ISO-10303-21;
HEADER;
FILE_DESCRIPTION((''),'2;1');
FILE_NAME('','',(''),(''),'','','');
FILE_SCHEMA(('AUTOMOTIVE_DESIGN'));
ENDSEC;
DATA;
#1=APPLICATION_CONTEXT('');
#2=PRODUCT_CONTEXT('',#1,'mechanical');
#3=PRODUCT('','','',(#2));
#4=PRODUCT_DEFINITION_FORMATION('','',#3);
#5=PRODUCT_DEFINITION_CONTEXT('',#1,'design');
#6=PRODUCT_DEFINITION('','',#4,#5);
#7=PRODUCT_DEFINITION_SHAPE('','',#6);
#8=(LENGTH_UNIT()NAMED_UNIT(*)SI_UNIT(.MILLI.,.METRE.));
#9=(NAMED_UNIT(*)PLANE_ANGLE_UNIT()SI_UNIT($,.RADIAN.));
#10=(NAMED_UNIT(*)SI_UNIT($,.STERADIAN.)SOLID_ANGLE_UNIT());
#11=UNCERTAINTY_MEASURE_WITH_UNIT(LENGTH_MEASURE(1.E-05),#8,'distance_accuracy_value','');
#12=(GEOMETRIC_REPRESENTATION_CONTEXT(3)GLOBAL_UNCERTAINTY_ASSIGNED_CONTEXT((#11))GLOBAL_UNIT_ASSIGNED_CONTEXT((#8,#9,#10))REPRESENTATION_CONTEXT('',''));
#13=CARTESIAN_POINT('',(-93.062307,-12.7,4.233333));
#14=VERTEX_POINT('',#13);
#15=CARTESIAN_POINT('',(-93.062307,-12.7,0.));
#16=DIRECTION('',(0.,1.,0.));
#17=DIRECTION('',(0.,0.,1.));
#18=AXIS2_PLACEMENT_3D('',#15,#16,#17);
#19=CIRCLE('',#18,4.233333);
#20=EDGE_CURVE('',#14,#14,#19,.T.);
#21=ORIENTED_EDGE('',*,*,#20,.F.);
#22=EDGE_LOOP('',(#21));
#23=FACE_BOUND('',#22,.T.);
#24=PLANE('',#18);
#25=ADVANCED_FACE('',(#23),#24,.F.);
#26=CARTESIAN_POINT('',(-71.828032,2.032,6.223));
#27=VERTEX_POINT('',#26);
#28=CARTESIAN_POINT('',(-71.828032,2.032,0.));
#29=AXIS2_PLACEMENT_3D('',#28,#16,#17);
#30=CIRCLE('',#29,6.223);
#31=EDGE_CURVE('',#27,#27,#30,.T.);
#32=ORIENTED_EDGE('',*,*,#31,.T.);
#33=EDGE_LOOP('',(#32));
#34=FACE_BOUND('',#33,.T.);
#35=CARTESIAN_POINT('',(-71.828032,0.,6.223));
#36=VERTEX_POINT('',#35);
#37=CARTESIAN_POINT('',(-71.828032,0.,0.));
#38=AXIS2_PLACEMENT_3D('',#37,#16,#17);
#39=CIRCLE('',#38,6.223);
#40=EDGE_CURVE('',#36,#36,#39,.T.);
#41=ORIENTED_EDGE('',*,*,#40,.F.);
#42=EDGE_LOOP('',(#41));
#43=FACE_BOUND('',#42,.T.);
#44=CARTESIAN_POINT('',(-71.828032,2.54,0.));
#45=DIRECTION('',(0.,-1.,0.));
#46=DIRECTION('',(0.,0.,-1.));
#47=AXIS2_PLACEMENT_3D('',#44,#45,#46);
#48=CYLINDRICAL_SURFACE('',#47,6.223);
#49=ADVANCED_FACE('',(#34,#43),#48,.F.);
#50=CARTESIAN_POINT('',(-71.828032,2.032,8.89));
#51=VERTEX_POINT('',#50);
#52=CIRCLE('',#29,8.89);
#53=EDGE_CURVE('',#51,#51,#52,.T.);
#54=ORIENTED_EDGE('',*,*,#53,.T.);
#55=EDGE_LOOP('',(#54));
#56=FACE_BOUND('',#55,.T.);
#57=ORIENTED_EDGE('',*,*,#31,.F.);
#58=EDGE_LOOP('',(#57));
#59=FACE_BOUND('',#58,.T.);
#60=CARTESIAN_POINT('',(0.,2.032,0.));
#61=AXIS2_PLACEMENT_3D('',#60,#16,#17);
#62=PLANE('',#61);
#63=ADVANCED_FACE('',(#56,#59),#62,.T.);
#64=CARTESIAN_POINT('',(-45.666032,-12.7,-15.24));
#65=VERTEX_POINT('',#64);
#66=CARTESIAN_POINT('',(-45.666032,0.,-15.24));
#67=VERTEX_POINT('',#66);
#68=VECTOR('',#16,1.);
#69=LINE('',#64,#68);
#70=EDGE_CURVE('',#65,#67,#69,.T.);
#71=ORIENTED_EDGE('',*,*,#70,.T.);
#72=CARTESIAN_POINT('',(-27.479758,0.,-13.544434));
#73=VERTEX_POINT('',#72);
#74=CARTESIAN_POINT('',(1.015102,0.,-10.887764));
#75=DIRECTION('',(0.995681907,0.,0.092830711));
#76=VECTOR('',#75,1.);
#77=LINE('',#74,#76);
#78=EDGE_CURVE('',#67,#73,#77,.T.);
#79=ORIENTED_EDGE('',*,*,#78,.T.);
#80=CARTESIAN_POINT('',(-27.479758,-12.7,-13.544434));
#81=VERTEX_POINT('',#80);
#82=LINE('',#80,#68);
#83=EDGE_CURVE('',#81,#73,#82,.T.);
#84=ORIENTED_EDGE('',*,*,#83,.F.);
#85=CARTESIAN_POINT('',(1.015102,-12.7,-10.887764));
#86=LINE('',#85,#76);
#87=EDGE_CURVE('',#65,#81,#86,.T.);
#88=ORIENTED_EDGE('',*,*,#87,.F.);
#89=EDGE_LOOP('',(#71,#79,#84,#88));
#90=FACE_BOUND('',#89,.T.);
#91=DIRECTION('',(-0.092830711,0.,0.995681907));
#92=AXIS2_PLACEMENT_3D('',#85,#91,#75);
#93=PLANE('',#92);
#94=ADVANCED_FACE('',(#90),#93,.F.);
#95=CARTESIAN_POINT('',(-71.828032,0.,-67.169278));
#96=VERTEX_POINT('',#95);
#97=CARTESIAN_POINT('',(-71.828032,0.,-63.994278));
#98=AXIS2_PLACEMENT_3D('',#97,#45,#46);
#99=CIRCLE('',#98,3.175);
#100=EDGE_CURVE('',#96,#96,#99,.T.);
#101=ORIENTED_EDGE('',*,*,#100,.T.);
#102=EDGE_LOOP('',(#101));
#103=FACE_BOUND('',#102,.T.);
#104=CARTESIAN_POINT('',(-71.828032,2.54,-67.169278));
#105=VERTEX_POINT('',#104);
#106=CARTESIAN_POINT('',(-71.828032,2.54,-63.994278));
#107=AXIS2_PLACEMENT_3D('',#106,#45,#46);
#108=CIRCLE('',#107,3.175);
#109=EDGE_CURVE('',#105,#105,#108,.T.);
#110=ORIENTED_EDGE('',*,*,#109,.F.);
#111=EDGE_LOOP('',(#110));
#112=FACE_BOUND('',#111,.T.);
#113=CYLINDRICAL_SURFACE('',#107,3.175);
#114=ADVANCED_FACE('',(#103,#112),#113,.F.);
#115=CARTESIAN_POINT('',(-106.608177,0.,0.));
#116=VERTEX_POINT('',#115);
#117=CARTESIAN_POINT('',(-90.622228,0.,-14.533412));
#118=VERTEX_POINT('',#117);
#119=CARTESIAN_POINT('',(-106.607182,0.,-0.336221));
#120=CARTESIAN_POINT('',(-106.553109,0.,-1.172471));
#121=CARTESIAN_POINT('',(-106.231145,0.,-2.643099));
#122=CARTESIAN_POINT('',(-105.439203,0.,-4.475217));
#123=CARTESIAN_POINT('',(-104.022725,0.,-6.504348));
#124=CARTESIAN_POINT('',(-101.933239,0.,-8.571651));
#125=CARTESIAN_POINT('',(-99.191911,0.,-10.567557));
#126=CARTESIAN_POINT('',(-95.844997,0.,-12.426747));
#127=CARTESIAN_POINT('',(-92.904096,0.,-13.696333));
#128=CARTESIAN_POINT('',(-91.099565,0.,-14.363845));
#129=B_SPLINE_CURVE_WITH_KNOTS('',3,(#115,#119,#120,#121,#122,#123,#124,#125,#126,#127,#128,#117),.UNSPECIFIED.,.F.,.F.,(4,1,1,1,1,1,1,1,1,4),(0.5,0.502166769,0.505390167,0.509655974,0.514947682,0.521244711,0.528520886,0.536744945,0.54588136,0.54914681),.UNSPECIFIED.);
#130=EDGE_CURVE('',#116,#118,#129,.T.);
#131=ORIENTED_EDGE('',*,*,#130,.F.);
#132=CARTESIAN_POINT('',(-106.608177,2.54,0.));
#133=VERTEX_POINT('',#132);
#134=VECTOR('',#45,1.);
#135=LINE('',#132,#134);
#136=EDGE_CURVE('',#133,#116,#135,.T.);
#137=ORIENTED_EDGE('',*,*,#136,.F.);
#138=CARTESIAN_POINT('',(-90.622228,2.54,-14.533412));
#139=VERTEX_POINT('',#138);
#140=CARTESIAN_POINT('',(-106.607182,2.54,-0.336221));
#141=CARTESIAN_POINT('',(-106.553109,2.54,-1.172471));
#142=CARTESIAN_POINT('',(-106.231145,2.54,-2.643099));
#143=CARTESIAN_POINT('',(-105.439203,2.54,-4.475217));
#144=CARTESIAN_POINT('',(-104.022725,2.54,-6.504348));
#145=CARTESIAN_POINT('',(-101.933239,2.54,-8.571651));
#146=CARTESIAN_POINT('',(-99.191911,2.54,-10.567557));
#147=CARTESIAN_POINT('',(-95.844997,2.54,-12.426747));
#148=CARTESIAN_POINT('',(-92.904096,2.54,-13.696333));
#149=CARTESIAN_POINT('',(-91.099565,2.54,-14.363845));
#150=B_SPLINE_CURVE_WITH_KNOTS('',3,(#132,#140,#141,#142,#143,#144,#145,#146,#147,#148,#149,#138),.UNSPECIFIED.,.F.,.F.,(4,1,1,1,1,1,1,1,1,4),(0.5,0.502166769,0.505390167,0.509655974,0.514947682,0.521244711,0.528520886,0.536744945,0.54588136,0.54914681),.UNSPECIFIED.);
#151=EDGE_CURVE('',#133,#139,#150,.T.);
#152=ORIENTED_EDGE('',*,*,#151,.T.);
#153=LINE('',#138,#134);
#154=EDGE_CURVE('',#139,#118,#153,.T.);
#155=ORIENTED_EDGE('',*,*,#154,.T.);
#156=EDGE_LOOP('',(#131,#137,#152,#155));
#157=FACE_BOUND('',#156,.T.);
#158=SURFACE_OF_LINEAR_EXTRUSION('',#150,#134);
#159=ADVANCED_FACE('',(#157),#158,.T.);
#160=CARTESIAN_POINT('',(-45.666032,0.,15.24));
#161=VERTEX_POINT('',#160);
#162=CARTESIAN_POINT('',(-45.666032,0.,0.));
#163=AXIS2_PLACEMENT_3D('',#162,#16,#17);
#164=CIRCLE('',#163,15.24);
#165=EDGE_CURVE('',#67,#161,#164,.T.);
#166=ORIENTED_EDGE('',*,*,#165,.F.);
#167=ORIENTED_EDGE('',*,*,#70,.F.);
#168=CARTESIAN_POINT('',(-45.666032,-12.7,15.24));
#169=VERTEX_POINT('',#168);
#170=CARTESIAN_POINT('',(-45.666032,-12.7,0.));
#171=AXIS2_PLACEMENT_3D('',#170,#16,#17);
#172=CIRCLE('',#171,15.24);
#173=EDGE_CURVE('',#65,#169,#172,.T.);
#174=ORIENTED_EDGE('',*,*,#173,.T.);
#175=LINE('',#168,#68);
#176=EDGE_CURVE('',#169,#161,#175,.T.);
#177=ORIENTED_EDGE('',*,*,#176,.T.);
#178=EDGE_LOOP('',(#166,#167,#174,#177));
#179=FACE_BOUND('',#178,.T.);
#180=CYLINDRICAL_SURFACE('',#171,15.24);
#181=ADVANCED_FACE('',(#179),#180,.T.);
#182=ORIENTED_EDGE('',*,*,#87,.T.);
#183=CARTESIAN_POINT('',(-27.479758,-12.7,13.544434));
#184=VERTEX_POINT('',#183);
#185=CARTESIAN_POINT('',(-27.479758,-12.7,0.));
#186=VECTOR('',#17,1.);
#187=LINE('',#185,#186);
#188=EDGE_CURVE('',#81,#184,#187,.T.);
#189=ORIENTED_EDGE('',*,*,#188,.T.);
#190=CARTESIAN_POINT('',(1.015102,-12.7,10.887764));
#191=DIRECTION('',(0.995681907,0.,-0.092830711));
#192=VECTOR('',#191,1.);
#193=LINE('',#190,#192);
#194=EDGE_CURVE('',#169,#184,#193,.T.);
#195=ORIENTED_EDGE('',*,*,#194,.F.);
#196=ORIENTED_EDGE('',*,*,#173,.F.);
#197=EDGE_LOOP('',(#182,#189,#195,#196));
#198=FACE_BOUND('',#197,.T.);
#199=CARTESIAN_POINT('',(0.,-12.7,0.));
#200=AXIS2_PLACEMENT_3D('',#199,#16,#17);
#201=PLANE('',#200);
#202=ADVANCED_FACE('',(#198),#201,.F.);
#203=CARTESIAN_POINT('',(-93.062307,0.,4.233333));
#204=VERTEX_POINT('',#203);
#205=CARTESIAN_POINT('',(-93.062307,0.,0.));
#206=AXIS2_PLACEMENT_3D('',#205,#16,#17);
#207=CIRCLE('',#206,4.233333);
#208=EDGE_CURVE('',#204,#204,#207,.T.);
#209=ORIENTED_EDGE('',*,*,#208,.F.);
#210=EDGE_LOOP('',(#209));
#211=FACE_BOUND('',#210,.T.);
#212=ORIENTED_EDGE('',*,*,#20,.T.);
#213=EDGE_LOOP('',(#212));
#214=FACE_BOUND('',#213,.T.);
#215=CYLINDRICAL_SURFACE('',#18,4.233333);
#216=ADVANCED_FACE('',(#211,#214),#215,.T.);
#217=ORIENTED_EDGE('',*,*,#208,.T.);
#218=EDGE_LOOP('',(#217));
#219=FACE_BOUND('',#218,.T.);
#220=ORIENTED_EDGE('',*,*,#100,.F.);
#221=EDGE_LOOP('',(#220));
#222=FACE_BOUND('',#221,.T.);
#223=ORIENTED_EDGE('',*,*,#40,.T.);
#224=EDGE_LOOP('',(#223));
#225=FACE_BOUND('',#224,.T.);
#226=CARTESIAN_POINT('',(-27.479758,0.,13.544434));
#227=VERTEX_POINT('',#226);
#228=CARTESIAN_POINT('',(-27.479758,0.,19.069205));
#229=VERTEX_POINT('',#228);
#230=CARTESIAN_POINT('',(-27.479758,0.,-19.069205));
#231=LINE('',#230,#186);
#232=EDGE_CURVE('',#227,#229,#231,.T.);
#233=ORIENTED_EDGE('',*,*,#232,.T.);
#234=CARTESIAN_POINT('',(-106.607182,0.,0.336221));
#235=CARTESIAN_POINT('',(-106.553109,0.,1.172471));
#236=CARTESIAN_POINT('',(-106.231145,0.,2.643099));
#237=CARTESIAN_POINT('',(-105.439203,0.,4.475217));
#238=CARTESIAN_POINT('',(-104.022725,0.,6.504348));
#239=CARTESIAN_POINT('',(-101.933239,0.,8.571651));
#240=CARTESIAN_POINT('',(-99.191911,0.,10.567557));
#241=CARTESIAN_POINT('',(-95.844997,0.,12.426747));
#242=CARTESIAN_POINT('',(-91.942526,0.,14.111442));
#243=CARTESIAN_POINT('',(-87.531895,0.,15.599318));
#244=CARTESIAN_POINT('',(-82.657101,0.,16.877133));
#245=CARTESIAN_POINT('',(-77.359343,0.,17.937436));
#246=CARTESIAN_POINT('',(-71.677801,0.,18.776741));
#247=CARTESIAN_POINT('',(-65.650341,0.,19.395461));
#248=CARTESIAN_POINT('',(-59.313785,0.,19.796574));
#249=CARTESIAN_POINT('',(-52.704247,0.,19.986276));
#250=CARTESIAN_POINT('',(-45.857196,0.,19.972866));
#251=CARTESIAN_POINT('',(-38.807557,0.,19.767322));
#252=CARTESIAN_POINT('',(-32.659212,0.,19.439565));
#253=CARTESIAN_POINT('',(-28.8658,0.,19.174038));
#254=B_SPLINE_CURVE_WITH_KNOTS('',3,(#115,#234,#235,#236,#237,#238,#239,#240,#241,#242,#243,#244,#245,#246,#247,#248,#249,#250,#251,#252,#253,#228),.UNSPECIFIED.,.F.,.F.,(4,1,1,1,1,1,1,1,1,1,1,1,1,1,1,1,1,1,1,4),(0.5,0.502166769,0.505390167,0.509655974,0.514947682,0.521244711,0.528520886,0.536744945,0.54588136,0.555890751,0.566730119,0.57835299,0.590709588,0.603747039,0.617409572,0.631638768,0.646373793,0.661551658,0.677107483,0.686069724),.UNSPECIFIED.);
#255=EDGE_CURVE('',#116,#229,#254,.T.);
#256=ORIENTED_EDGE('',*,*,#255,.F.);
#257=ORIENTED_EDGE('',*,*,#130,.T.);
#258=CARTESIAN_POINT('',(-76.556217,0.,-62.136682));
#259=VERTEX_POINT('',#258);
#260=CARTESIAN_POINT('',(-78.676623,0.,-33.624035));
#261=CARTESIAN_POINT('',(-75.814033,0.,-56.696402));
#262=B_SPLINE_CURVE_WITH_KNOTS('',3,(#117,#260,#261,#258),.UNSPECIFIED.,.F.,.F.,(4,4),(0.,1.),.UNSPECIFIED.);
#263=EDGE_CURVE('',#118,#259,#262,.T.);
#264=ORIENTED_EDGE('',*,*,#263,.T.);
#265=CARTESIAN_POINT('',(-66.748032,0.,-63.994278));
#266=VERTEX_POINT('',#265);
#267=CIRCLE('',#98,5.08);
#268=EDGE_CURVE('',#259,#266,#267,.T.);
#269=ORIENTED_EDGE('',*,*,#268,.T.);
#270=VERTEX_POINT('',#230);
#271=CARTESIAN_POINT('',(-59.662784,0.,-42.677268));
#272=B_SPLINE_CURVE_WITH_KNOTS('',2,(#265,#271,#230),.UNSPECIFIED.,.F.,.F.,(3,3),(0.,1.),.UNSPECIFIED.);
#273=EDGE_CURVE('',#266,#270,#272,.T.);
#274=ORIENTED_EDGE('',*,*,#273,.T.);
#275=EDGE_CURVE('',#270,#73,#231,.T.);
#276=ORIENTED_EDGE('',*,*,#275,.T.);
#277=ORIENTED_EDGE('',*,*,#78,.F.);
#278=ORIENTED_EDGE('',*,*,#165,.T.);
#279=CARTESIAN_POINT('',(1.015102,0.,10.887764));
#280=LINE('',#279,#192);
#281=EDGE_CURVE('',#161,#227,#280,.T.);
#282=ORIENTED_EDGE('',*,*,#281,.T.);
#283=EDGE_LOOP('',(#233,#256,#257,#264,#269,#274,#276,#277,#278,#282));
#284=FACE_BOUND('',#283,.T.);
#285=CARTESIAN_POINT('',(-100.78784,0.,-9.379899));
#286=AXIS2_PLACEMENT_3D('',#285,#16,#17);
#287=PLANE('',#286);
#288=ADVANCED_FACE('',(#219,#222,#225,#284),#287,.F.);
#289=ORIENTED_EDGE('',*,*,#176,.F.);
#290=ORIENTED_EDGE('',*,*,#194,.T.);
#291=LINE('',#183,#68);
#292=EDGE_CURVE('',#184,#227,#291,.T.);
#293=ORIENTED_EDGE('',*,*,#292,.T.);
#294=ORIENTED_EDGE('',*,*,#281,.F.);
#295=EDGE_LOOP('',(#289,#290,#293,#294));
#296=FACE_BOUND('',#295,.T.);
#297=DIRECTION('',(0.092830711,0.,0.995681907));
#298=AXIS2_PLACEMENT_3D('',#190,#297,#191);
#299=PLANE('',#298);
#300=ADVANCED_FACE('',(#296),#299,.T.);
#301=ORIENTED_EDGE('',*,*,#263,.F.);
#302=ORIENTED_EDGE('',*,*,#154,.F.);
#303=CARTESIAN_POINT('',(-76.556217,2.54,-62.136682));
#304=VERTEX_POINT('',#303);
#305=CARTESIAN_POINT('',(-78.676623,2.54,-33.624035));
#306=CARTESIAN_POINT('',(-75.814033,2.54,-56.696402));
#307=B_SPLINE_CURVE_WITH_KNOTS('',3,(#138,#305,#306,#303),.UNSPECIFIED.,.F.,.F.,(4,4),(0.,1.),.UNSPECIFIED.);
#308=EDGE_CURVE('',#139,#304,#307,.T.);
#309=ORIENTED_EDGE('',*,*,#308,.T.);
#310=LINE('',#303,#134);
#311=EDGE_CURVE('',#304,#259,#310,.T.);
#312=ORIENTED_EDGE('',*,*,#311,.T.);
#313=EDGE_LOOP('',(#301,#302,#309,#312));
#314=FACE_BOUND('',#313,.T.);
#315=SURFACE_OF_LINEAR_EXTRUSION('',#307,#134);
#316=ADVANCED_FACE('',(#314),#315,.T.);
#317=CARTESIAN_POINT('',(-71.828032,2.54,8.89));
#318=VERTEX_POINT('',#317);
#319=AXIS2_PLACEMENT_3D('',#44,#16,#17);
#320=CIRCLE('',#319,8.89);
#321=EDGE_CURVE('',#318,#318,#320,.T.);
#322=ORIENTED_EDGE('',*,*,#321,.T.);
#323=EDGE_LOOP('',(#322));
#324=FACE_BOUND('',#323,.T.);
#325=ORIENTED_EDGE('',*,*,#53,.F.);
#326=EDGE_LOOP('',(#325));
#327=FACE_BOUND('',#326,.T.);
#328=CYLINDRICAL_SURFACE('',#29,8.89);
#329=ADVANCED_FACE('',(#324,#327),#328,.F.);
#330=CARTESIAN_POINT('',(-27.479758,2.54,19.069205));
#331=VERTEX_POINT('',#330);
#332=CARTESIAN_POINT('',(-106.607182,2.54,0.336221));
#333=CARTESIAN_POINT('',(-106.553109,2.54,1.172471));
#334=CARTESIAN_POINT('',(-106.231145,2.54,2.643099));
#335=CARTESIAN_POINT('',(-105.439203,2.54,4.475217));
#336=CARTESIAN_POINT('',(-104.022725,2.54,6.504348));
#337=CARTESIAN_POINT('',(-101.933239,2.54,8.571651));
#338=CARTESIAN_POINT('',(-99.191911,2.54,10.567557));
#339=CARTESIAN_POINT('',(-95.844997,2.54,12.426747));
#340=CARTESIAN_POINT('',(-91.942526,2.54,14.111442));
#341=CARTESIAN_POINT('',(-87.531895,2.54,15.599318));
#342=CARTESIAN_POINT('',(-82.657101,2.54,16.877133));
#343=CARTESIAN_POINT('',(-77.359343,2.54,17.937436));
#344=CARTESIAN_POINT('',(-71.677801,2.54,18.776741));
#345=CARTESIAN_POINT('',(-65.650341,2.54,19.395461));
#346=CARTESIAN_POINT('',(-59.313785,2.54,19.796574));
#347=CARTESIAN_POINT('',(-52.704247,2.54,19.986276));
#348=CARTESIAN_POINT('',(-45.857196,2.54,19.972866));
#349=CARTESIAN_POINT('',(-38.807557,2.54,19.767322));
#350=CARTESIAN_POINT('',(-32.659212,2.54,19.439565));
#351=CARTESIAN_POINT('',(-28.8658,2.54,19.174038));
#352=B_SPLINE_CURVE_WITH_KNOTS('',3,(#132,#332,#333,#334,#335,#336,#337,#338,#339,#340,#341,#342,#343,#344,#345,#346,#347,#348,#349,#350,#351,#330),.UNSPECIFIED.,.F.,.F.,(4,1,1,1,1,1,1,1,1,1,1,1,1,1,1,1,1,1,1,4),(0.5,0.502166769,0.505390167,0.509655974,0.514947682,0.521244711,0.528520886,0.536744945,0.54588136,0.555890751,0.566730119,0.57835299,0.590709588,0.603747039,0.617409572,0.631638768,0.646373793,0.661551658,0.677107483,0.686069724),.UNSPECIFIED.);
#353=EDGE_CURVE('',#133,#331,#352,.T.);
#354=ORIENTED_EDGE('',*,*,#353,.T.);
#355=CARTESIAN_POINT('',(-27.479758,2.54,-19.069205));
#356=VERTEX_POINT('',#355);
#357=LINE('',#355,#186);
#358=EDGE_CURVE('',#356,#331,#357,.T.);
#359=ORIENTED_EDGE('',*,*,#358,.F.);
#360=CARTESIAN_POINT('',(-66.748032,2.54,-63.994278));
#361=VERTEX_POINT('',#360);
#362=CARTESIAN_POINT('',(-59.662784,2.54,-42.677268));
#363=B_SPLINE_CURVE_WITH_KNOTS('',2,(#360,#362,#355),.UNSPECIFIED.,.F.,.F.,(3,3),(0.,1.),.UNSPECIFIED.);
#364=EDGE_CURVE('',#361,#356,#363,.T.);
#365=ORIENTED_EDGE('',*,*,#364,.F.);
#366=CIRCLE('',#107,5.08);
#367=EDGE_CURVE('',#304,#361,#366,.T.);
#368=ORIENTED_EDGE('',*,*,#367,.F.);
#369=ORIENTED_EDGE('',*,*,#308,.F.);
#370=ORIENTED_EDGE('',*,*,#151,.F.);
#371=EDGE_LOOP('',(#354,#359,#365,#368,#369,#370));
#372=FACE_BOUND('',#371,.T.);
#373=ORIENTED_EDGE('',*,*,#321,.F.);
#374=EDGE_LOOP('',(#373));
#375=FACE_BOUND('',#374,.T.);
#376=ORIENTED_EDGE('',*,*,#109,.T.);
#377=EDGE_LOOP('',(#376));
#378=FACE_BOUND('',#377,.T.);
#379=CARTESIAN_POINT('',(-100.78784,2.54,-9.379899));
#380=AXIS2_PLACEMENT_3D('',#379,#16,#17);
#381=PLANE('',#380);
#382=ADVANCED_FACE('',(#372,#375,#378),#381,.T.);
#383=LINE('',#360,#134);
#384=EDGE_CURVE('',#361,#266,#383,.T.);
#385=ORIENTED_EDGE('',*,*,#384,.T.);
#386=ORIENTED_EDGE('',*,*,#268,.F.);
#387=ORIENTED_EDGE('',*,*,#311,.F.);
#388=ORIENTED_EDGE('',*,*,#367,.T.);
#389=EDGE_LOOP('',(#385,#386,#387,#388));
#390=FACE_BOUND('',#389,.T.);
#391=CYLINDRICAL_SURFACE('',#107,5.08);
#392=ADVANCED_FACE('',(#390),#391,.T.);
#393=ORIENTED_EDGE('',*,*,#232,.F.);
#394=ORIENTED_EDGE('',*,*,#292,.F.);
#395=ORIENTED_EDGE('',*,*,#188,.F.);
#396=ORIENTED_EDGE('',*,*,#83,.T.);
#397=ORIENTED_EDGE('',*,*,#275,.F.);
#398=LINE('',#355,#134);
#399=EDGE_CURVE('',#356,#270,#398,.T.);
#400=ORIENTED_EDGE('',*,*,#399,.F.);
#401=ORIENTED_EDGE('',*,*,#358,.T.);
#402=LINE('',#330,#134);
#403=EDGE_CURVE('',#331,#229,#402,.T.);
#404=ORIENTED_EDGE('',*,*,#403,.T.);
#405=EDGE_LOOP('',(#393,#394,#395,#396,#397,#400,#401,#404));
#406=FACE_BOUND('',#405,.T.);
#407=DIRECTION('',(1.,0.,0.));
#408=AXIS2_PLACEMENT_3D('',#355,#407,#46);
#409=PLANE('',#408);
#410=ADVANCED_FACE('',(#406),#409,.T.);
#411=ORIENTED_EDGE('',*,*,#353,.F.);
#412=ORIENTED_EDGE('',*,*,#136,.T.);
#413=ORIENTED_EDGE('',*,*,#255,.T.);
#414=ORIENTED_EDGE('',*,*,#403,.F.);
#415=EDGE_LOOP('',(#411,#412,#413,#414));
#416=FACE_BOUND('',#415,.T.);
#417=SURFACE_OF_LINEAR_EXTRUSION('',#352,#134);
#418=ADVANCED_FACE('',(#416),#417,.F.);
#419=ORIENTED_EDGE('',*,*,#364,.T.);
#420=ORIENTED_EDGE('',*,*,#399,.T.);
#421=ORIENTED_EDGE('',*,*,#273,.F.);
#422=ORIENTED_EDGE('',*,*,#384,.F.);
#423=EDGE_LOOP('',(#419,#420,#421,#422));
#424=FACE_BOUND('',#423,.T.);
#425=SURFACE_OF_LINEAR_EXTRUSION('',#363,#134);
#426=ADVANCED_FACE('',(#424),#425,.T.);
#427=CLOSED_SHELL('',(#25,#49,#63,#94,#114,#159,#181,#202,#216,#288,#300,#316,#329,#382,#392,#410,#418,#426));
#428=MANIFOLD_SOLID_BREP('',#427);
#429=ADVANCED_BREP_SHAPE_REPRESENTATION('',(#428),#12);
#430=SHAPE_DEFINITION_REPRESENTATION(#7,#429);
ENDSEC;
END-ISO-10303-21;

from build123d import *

# Parameters (mm, degrees)
SKETCH1_R           = 6.223
SKETCH1_R_2         = 3.175
BOSS_EXTRUDE1_DEPTH = 2.54
SKETCH1_3_R         = 4.233333333
BOSS_EXTRUDE2_DEPTH = 12.7
SKETCH2_R           = 8.89
CUT_EXTRUDE2_DEPTH  = 0.508


with BuildPart() as part:
    # Sketch1 → Boss-Extrude1 (new body)
    with BuildSketch(Plane(origin=(0, 0, 0), x_dir=(1, 0, 0), z_dir=(0, 1, 0))):
        with BuildLine():
            add(Edge.make_bspline(
                [(-106.608177043, 0), (-106.607181853, 0.336221439), (-106.553109217, 1.172470844), (-106.231145111, 2.643099261), (-105.439203383, 4.475217401), (-104.022724766, 6.504348411), (-101.933239026, 8.571651325), (-99.191911488, 10.567556696), (-95.844996836, 12.426747292), (-92.90409582, 13.696332592), (-91.099565345, 14.363844596), (-90.622228407, 14.533411548)],
                knots=[0.5, 0.5, 0.5, 0.5, 0.502166769, 0.505390167, 0.509655974, 0.514947682, 0.521244711, 0.528520886, 0.536744945, 0.54588136, 0.54914681, 0.54914681, 0.54914681, 0.54914681], degree=3))
            add(Edge.make_bspline(
                [(-106.608177043, 0), (-106.607181853, -0.336221439), (-106.553109217, -1.172470844), (-106.231145111, -2.643099261), (-105.439203383, -4.475217401), (-104.022724766, -6.504348411), (-101.933239026, -8.571651325), (-99.191911488, -10.567556696), (-95.844996836, -12.426747292), (-91.942526077, -14.111441704), (-87.531895483, -15.599318155), (-82.657100659, -16.877133316), (-77.359343302, -17.937435613), (-71.677800746, -18.776740565), (-65.650341253, -19.395460579), (-59.313785065, -19.796574023), (-52.704246728, -19.986276309), (-45.857195612, -19.97286583), (-38.807557342, -19.767322463), (-32.659211886, -19.439565325), (-28.865800162, -19.174037811), (-27.479757553, -19.069204536)],
                knots=[0.5, 0.5, 0.5, 0.5, 0.502166769, 0.505390167, 0.509655974, 0.514947682, 0.521244711, 0.528520886, 0.536744945, 0.54588136, 0.555890751, 0.566730119, 0.57835299, 0.590709588, 0.603747039, 0.617409572, 0.631638768, 0.646373793, 0.661551658, 0.677107483, 0.686069724, 0.686069724, 0.686069724, 0.686069724], degree=3))
            Line((-27.479757553, -19.069204536), (-27.479757553, 19.069204536))
            add(Edge.make_bspline(
                [(-66.748032241, 63.994278454), (-59.662783709, 42.677267871), (-27.479757553, 19.069204536)],
                knots=[0, 0, 0, 1, 1, 1], degree=2))
            ThreePointArc((-66.748032241, 63.994278454), (-72.773341431, 68.985549888), (-76.556217491, 62.136682092))
            add(Edge.make_bspline(
                [(-90.622228407, 14.533411548), (-78.676623194, 33.624035256), (-75.814032891, 56.696401983), (-76.556217491, 62.136682092)],
                knots=[0, 0, 0, 0, 1, 1, 1, 1], degree=3))
        make_face()
        with Locations((-71.828032241, 0)):
            Circle(SKETCH1_R, mode=Mode.SUBTRACT)
        with Locations((-71.828032241, 63.994278454)):
            Circle(SKETCH1_R_2, mode=Mode.SUBTRACT)
    extrude(amount=BOSS_EXTRUDE1_DEPTH)

    # Sketch1<3> → Boss-Extrude2 (add)
    with BuildSketch(Plane(origin=(0, 0, 0), x_dir=(1, 0, 0), z_dir=(0, 1, 0))):
        with Locations((-93.062306932, 0)):
            Circle(SKETCH1_3_R)
        with BuildLine():
            Line((-45.666032241, -15.24), (-27.479757553, -13.544433585))
            Line((-27.479757553, -13.544433585), (-27.479757553, 13.544433585))
            Line((-27.479757553, 13.544433585), (-45.666032241, 15.24))
            ThreePointArc((-45.666032241, 15.24), (-60.906032241, 0), (-45.666032241, -15.24))
        make_face()
    extrude(amount=-BOSS_EXTRUDE2_DEPTH)

    # Sketch2 → Cut-Extrude2 (cut)
    with BuildSketch(Plane(origin=(0, 2.54, 0), x_dir=(1, 0, 0), z_dir=(0, 1, 0))):
        with Locations((-71.828032241, 0)):
            Circle(SKETCH2_R)
    extrude(amount=-CUT_EXTRUDE2_DEPTH, mode=Mode.SUBTRACT)


solid = part.part
